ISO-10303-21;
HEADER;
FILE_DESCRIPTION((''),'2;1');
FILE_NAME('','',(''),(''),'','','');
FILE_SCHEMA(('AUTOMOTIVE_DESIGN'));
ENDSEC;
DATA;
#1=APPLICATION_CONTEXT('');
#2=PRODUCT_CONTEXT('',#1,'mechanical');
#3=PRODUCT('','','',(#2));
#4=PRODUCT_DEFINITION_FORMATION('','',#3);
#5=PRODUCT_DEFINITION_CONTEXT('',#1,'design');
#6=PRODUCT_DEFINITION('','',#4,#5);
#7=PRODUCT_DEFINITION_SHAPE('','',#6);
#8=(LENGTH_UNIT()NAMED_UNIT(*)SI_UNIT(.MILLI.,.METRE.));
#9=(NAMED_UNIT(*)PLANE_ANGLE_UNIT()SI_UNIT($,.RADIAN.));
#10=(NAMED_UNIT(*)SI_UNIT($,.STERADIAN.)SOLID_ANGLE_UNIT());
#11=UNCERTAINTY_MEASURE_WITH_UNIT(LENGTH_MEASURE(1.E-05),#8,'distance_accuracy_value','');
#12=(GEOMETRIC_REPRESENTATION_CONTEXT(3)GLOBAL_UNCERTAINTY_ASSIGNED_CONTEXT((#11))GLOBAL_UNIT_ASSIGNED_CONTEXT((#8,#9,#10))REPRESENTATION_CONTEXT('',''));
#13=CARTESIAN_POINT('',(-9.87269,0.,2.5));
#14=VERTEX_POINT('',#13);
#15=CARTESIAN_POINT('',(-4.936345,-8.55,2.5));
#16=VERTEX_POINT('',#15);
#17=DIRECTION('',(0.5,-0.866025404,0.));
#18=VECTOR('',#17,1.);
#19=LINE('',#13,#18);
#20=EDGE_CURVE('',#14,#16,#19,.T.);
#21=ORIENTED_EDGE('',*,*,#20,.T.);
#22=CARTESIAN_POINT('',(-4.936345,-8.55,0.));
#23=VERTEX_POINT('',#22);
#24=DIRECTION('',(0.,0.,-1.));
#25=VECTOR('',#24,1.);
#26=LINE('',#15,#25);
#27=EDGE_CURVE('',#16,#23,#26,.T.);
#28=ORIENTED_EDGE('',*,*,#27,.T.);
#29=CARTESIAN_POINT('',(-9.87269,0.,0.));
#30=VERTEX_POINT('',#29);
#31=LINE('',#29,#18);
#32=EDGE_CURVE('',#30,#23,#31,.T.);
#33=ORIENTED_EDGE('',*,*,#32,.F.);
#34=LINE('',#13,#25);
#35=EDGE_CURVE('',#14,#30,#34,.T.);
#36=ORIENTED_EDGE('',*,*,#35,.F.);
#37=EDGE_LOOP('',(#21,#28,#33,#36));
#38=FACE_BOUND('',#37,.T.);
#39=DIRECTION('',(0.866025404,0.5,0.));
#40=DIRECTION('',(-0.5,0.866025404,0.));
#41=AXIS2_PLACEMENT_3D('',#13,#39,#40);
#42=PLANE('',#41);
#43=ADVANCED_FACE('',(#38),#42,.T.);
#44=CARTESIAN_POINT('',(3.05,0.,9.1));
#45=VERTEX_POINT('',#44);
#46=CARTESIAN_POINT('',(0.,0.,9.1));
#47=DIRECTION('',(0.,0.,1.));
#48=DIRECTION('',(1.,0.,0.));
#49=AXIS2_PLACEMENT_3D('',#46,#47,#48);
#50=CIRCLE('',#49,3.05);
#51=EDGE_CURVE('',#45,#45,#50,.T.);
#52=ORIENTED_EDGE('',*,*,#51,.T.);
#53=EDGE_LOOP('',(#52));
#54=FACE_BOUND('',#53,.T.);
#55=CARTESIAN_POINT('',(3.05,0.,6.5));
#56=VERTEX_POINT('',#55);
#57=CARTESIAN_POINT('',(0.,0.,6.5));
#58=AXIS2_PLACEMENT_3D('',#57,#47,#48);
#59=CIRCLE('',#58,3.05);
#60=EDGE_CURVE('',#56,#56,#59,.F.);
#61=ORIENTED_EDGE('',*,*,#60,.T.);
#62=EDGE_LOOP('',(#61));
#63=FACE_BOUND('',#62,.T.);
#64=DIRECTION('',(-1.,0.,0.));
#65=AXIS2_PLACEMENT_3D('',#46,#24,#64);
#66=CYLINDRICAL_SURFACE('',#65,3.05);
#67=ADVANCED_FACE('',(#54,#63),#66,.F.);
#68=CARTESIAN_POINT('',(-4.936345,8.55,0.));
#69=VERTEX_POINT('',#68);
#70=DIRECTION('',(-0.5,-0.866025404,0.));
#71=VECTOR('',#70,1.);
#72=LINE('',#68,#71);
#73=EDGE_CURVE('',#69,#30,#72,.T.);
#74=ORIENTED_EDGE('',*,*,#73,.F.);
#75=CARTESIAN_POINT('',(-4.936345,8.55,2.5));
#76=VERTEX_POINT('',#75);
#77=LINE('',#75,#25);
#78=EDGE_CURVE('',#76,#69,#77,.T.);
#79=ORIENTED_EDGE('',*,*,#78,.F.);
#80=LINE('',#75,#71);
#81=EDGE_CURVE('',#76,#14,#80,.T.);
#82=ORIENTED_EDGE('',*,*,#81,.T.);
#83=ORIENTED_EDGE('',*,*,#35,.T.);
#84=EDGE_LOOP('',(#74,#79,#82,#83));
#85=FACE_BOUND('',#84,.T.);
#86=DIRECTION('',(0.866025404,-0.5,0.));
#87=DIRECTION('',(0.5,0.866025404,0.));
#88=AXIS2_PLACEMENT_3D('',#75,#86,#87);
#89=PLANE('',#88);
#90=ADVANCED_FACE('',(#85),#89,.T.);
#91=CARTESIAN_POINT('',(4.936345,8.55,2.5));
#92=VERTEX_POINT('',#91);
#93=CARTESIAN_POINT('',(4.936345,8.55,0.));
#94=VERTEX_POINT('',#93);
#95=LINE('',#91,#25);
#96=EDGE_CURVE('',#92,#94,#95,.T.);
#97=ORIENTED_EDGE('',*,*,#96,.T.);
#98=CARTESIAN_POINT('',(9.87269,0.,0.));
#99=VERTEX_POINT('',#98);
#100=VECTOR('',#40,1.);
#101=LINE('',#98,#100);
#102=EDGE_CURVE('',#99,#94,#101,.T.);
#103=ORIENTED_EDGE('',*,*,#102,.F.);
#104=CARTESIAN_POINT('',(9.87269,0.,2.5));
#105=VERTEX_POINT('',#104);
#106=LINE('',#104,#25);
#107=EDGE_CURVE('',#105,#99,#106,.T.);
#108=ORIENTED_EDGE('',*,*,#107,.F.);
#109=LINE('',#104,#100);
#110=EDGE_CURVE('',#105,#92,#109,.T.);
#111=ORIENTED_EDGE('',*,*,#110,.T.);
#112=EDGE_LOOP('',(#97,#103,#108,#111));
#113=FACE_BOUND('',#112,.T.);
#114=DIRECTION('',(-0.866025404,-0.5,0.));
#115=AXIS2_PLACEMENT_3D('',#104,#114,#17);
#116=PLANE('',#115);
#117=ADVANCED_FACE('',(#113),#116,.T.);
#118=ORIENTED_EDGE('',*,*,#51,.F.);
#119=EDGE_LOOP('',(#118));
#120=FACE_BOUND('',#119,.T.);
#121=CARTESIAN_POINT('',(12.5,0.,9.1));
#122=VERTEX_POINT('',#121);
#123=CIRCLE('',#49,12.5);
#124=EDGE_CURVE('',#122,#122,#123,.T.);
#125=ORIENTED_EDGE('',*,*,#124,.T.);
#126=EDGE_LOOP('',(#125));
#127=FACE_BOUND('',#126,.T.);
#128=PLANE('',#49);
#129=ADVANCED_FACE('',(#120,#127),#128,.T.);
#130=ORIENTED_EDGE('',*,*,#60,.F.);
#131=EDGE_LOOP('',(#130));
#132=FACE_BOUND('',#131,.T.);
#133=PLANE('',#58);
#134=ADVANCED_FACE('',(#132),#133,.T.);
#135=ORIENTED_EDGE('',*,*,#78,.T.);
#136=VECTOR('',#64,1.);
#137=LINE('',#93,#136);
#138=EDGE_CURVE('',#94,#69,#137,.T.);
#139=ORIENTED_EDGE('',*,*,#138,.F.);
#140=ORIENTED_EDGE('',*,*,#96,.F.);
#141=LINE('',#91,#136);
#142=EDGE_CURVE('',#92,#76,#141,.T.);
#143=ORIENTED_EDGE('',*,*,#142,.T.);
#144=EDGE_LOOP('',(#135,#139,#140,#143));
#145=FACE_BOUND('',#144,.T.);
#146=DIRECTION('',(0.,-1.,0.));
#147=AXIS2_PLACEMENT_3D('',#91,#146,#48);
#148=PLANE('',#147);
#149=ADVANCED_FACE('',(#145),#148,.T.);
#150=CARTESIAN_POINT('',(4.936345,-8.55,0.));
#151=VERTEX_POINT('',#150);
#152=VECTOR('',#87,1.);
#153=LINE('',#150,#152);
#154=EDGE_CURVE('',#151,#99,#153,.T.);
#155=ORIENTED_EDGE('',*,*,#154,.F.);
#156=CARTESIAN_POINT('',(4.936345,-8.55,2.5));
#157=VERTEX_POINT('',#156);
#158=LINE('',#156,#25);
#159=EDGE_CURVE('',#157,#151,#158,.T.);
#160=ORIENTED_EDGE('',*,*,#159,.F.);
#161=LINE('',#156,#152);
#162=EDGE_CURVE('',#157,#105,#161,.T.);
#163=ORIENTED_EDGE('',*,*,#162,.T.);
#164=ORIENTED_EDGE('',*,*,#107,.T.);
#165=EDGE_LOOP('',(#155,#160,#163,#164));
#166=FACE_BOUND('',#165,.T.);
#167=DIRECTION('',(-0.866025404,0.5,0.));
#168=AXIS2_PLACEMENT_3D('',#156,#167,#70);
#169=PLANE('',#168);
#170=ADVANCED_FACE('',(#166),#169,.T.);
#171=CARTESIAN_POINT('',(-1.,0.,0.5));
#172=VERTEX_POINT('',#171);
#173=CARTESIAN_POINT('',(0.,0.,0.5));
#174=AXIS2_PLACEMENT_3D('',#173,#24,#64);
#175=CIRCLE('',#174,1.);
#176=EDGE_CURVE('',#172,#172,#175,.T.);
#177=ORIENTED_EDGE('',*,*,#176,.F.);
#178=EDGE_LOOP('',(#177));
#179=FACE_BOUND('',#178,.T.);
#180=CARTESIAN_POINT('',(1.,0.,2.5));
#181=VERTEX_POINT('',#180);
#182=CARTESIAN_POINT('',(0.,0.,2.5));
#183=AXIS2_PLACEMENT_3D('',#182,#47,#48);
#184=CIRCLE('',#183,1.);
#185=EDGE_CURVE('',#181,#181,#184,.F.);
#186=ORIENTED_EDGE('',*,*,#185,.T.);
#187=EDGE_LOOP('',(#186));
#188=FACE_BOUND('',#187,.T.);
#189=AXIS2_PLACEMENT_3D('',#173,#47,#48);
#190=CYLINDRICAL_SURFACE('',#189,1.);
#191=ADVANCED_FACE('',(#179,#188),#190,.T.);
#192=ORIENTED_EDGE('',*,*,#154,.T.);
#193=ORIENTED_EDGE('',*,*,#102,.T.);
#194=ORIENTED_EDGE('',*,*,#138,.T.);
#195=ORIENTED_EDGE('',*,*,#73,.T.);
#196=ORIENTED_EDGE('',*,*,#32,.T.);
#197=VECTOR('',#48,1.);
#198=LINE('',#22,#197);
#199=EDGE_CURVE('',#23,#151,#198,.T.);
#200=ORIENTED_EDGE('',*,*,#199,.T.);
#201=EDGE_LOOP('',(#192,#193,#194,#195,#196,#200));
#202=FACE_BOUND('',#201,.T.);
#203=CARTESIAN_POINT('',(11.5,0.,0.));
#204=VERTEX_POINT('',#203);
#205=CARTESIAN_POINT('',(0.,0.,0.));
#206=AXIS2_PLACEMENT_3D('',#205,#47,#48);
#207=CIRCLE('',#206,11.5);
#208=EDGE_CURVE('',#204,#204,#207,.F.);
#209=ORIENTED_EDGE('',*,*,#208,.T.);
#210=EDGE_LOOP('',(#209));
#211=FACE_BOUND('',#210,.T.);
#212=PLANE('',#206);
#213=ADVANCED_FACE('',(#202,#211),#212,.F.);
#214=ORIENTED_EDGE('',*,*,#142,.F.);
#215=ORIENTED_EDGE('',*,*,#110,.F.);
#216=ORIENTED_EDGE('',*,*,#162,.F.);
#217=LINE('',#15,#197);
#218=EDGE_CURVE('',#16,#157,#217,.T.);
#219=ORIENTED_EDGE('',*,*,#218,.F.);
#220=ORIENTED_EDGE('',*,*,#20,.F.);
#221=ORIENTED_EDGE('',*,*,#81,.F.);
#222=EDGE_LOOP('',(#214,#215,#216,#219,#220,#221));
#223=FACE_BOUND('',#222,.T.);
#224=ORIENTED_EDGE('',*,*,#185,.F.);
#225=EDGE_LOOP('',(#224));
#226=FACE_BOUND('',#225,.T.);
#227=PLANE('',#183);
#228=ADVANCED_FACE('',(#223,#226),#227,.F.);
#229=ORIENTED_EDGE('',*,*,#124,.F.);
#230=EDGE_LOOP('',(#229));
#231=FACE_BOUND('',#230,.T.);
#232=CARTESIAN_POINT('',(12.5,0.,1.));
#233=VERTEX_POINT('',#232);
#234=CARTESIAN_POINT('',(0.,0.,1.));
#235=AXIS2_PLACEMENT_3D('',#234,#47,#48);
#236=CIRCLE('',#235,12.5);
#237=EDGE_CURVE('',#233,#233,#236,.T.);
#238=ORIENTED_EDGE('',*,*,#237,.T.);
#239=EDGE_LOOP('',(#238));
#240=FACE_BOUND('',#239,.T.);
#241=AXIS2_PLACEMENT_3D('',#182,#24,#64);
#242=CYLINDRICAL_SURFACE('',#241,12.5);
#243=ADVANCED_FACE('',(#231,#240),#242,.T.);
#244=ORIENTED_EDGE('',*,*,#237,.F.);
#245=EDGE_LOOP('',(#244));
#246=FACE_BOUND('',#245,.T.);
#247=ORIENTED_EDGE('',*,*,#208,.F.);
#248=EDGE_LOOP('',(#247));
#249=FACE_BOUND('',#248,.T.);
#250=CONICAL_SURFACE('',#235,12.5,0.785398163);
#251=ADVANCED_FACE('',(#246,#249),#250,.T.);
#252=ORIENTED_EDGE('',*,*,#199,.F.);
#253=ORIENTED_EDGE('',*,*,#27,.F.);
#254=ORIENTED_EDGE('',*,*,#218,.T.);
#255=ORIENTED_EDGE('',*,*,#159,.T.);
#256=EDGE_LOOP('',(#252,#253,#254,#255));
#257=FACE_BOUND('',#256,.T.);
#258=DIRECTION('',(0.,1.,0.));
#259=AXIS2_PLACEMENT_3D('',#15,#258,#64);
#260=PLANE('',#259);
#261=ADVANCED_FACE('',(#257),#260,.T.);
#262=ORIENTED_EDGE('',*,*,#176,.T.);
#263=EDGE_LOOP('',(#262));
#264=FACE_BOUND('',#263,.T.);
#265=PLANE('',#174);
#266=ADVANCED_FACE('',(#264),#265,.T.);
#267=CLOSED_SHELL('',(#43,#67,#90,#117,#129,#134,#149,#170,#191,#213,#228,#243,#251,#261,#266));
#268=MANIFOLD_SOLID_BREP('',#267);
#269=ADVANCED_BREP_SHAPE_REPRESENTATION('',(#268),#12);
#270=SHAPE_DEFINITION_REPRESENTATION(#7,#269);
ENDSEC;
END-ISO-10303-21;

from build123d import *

# Parameters (mm, degrees)
ESQUISSE1_R        = 12.5
BOSS_EXTRU_1_DEPTH = 2.5
ESQUISSE2_R        = 12.5
BOSS_EXTRU_2_DEPTH = 4
ESQUISSE3_R        = 1
BOSS_EXTRU_3_DEPTH = 2
CHANFREIN1_SIZE    = 1
ESQUISSE4_R        = 12.5
ESQUISSE4_R_2      = 3.05
BOSS_EXTRU_4_DEPTH = 2.6


with BuildPart() as part:
    # Esquisse1 → Boss.-Extru.1 (new body)
    with BuildSketch(Plane.XY):
        Circle(ESQUISSE1_R)
        Polygon((-4.936344802, -8.55), (4.936344802, -8.55), (9.872689603, 0), (4.936344802, 8.55), (-4.936344802, 8.55), (-9.872689603, 0), align=None, mode=Mode.SUBTRACT)
    extrude(amount=BOSS_EXTRU_1_DEPTH)

    # Esquisse2 → Boss.-Extru.2 (add)
    with BuildSketch(Plane.XY.offset(2.5)):
        Circle(ESQUISSE2_R)
    extrude(amount=BOSS_EXTRU_2_DEPTH)

    # Esquisse3 → Boss.-Extru.3 (add)
    with BuildSketch(Plane(origin=(0, 0, 2.5), x_dir=(-1, 0, 0), z_dir=(0, 0, -1))):
        with Locations(Location((0, 0, 0), (0, 0, 180))):
            Circle(ESQUISSE3_R)
    extrude(amount=BOSS_EXTRU_3_DEPTH)

    # Chanfrein1
    chanfrein1_edges = [part.edges().sort_by_distance(p)[0] for p in [
        (-12.5, 0, 0),
    ]]
    chamfer(chanfrein1_edges, length=CHANFREIN1_SIZE)

    # Esquisse4 → Boss.-Extru.4 (add)
    with BuildSketch(Plane.XY.offset(6.5)):
        Circle(ESQUISSE4_R)
        Circle(ESQUISSE4_R_2, mode=Mode.SUBTRACT)
    extrude(amount=BOSS_EXTRU_4_DEPTH)


solid = part.part
